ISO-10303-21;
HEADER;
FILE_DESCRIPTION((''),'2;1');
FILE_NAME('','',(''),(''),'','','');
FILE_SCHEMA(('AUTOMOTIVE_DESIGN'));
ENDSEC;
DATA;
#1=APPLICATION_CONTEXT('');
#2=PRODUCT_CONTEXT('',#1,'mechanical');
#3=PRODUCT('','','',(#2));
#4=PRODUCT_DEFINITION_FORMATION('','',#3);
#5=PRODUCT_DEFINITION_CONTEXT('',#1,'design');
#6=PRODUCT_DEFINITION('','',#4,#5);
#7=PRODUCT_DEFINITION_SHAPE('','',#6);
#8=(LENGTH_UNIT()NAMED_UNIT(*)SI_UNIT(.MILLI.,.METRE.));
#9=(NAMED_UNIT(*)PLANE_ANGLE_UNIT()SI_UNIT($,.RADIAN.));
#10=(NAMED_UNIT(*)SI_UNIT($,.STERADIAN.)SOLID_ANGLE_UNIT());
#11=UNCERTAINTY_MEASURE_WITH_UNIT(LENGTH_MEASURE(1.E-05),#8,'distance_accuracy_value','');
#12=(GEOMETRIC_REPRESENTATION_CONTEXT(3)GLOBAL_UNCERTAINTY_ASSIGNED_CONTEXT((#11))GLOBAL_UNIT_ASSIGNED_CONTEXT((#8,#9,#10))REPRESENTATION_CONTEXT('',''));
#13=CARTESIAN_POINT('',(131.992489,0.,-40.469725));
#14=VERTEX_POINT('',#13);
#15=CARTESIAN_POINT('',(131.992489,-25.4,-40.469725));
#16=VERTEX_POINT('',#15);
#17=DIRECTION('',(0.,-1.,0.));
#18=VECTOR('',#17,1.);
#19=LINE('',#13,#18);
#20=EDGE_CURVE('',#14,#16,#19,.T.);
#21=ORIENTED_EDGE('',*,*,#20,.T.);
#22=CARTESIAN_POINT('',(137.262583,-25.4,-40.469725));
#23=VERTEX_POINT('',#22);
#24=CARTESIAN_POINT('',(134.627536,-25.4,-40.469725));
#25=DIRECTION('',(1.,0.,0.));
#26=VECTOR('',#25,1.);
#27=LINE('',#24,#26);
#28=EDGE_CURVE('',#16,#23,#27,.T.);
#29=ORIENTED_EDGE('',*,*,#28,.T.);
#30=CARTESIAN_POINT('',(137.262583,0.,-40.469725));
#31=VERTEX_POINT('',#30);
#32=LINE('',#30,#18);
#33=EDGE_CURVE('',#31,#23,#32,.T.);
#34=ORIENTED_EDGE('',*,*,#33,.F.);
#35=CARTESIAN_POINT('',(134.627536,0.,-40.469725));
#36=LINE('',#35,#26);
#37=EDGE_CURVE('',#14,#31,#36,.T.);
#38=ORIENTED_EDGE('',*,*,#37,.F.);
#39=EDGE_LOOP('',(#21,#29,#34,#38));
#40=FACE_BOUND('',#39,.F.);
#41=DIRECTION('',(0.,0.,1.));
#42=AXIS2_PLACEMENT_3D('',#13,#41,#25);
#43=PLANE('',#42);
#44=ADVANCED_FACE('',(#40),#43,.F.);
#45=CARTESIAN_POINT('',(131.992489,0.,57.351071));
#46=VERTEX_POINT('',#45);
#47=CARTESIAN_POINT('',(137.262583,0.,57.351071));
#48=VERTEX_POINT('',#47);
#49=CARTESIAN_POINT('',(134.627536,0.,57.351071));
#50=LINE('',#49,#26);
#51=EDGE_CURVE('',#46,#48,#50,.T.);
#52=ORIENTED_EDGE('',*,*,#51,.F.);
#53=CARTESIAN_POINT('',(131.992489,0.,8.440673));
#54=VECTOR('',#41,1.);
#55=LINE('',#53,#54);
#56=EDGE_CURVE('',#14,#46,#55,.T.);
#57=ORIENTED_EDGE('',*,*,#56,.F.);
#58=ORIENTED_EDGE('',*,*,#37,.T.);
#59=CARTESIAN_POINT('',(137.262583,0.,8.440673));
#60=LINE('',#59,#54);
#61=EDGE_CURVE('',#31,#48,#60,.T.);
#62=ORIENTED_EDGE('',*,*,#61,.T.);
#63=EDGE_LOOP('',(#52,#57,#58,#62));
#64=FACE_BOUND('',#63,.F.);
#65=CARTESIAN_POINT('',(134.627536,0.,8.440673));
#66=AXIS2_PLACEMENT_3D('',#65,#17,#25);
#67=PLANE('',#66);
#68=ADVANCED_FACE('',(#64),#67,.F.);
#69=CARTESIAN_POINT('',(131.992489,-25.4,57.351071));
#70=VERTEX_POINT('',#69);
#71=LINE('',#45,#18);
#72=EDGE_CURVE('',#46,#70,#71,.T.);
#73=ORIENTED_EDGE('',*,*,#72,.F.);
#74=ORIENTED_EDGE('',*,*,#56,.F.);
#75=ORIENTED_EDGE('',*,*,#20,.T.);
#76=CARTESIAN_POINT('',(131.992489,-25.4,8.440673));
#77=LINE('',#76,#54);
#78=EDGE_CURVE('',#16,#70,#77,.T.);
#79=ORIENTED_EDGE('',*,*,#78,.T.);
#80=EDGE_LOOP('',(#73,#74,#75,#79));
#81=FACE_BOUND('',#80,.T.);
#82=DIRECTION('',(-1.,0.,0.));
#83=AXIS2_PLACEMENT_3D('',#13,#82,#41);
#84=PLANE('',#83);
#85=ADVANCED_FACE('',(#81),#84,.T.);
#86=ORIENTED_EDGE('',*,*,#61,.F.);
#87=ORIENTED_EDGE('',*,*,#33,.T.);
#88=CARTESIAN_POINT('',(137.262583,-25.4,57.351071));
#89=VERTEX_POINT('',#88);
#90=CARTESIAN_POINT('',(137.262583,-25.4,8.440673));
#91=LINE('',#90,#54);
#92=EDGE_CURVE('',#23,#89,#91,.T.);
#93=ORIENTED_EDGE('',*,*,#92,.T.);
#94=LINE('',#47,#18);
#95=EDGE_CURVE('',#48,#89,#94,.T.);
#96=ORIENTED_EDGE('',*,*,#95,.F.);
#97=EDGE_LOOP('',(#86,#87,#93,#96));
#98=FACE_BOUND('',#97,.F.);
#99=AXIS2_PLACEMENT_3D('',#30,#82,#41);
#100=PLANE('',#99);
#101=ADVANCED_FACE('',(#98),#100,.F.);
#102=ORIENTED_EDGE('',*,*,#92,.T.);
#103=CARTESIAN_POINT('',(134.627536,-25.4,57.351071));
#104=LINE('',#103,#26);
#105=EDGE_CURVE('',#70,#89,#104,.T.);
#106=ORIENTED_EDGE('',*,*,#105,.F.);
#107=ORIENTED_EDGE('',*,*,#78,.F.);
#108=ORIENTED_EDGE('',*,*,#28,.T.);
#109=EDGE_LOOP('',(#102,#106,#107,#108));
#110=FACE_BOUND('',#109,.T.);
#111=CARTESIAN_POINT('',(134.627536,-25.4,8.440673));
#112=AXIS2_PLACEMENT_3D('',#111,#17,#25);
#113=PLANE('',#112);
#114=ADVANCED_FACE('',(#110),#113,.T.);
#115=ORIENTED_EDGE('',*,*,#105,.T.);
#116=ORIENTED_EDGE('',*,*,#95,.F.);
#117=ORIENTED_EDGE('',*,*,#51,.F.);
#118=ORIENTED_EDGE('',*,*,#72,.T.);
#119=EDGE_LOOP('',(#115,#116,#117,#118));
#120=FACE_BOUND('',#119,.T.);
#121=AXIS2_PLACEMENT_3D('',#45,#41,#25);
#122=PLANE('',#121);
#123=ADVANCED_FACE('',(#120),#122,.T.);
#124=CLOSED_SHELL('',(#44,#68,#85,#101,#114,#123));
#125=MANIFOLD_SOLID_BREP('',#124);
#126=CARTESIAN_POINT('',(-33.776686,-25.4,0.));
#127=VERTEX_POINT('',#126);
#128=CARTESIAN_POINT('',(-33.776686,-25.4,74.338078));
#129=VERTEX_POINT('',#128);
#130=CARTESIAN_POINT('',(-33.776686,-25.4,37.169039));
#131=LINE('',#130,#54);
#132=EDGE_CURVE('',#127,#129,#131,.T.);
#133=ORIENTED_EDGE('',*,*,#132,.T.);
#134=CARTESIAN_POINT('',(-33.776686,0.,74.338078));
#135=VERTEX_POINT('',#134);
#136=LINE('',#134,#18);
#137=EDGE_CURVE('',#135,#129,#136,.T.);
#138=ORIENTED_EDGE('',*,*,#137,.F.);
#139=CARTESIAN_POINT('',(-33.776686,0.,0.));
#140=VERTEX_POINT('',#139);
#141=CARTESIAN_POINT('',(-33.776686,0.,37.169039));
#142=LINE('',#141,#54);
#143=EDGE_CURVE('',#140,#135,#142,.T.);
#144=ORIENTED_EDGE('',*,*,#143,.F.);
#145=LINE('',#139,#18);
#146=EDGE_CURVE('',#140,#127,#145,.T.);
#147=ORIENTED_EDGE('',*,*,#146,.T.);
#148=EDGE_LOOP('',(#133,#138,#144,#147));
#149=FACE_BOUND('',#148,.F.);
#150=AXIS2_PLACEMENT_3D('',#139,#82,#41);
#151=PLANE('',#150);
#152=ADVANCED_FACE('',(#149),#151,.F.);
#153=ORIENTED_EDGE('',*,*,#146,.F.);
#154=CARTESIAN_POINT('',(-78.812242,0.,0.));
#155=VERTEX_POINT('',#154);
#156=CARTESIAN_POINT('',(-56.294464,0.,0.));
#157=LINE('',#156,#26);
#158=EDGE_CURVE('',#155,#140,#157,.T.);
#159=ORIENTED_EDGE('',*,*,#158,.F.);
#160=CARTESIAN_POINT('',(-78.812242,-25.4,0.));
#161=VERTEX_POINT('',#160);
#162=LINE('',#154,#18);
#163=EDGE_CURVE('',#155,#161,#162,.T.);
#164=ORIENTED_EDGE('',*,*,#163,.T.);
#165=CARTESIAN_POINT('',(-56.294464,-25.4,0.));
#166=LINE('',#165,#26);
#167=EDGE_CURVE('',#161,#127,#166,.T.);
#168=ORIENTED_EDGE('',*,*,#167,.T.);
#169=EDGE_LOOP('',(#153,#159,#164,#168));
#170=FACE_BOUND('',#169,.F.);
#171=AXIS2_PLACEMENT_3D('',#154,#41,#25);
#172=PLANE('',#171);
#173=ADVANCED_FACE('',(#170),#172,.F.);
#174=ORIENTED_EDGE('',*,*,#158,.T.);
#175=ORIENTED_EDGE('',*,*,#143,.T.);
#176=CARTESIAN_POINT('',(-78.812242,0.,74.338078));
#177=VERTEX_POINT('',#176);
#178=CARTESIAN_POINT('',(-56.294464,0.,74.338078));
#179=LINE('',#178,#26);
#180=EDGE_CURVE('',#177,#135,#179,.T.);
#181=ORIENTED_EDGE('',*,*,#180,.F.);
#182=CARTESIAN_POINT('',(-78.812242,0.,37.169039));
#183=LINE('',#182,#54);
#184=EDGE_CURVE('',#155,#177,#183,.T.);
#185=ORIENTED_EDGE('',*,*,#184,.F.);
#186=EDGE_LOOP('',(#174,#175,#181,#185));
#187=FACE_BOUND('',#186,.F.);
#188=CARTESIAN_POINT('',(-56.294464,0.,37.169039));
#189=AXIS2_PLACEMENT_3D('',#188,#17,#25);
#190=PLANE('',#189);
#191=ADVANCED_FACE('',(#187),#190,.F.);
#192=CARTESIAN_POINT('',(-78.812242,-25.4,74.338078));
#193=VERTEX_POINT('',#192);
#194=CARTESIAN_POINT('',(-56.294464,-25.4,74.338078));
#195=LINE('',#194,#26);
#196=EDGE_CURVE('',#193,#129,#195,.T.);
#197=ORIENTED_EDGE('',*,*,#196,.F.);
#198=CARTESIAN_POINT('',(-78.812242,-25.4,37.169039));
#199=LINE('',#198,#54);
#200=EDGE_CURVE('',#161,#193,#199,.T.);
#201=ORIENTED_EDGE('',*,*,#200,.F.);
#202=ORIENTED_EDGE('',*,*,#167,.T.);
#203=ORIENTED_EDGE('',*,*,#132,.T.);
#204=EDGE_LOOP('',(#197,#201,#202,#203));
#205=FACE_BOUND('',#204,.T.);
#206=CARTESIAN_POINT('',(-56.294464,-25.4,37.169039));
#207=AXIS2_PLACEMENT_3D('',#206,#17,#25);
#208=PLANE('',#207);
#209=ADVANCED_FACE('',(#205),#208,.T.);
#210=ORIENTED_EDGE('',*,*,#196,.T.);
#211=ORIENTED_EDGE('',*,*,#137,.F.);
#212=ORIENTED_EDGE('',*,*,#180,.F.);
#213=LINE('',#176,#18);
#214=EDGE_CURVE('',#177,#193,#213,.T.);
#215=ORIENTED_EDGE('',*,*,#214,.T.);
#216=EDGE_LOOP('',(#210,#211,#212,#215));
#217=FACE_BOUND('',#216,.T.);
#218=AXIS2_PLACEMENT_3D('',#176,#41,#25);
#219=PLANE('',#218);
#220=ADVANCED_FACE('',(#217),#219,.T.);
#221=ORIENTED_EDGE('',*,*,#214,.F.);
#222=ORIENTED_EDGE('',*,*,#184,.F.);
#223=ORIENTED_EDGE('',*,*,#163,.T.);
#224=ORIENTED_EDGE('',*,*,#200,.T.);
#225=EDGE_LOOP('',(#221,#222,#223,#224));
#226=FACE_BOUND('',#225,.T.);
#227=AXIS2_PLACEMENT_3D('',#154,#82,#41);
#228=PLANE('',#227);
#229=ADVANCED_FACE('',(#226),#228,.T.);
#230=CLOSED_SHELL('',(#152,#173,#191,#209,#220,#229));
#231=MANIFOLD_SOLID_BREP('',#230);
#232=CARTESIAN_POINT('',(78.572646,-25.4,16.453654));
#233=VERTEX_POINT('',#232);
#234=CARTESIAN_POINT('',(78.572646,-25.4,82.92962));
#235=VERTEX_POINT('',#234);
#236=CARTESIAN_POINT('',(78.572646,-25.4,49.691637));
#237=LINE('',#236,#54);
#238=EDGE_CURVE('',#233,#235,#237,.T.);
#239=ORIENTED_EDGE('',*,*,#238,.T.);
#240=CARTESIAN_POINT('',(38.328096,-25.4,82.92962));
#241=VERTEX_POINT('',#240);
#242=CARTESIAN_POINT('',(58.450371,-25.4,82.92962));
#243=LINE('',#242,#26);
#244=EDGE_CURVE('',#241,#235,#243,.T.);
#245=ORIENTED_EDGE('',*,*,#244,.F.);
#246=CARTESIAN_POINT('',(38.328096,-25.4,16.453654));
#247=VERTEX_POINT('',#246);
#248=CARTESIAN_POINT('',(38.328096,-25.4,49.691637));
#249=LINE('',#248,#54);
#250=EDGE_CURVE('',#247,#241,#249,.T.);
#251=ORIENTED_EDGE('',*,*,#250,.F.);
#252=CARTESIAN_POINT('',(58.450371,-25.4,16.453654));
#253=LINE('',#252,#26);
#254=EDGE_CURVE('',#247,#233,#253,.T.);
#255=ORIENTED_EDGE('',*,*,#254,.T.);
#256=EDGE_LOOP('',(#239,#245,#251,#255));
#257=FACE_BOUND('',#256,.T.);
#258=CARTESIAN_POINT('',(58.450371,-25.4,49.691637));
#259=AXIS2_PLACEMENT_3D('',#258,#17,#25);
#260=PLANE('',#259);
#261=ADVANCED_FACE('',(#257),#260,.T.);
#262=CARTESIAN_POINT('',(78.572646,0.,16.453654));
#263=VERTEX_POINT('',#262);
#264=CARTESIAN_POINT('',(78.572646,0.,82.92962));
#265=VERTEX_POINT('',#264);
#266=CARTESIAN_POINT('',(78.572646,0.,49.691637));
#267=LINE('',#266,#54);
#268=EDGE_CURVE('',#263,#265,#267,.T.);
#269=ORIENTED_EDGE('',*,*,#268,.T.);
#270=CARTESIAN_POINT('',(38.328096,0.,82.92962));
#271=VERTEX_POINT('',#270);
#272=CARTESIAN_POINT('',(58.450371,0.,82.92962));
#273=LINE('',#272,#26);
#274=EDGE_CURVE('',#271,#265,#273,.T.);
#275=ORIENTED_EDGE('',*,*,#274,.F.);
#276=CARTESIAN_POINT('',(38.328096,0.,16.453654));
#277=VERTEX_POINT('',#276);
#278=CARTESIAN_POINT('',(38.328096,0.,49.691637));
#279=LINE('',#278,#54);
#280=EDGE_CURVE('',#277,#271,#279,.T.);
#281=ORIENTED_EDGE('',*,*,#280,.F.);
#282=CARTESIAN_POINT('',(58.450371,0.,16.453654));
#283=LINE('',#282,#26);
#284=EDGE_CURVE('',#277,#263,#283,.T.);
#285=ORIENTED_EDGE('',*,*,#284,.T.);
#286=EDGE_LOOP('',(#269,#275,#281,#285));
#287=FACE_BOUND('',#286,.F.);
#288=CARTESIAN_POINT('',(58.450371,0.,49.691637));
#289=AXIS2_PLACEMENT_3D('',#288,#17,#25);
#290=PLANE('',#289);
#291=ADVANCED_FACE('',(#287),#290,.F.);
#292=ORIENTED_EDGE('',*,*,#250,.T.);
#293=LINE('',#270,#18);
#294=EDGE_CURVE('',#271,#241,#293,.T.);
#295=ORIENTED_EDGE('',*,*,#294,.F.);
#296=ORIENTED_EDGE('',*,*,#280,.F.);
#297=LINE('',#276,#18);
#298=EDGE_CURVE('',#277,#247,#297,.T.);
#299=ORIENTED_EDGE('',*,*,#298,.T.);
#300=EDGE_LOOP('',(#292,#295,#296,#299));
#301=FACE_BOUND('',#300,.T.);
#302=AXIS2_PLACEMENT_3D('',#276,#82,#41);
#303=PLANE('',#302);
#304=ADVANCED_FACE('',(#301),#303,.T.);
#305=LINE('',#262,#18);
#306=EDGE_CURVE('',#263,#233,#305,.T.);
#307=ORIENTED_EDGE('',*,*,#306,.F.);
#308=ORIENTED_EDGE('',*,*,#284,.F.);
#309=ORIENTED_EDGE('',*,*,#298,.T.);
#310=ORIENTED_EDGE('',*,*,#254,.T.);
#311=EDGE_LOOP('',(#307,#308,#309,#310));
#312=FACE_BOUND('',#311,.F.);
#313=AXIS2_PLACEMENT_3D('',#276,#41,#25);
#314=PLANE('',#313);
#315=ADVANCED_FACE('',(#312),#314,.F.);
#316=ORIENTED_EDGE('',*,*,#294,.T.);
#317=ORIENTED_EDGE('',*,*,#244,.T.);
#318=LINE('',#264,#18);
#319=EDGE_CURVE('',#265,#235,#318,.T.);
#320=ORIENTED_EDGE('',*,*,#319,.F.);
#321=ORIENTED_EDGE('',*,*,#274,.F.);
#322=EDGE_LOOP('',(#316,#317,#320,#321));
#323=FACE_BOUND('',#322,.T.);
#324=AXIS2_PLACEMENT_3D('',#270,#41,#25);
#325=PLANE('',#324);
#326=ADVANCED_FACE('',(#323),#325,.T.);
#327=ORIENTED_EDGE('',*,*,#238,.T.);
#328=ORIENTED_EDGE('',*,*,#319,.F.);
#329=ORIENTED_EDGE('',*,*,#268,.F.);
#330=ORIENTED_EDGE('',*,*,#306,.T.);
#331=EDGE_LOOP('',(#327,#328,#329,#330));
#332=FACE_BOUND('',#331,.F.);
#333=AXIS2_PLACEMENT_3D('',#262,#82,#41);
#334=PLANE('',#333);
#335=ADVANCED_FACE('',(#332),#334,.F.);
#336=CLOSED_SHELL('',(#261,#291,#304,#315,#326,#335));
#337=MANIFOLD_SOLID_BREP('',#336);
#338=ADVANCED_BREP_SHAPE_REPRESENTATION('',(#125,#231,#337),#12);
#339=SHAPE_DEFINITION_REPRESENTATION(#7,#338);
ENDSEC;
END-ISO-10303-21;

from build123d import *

# Parameters (mm, degrees)
F0_W     = 45.035556
F0_H     = 74.338078
F0_W_2   = 40.24455
F0_H_2   = 66.475965
F0_W_3   = 5.270094
F0_H_3   = 97.820796
F1_DEPTH = 25.4


with BuildPart() as f1:
    # F0 (on Front) → F1 (new body)
    with BuildSketch(Plane.XZ):
        with Locations((-56.294464, 37.169039)):
            Rectangle(F0_W, F0_H)
        with Locations((58.450371, 49.691637)):
            Rectangle(F0_W_2, F0_H_2)
        with Locations((134.627536, 8.440673)):
            Rectangle(F0_W_3, F0_H_3)
    extrude(amount=F1_DEPTH)


solid = f1.part
